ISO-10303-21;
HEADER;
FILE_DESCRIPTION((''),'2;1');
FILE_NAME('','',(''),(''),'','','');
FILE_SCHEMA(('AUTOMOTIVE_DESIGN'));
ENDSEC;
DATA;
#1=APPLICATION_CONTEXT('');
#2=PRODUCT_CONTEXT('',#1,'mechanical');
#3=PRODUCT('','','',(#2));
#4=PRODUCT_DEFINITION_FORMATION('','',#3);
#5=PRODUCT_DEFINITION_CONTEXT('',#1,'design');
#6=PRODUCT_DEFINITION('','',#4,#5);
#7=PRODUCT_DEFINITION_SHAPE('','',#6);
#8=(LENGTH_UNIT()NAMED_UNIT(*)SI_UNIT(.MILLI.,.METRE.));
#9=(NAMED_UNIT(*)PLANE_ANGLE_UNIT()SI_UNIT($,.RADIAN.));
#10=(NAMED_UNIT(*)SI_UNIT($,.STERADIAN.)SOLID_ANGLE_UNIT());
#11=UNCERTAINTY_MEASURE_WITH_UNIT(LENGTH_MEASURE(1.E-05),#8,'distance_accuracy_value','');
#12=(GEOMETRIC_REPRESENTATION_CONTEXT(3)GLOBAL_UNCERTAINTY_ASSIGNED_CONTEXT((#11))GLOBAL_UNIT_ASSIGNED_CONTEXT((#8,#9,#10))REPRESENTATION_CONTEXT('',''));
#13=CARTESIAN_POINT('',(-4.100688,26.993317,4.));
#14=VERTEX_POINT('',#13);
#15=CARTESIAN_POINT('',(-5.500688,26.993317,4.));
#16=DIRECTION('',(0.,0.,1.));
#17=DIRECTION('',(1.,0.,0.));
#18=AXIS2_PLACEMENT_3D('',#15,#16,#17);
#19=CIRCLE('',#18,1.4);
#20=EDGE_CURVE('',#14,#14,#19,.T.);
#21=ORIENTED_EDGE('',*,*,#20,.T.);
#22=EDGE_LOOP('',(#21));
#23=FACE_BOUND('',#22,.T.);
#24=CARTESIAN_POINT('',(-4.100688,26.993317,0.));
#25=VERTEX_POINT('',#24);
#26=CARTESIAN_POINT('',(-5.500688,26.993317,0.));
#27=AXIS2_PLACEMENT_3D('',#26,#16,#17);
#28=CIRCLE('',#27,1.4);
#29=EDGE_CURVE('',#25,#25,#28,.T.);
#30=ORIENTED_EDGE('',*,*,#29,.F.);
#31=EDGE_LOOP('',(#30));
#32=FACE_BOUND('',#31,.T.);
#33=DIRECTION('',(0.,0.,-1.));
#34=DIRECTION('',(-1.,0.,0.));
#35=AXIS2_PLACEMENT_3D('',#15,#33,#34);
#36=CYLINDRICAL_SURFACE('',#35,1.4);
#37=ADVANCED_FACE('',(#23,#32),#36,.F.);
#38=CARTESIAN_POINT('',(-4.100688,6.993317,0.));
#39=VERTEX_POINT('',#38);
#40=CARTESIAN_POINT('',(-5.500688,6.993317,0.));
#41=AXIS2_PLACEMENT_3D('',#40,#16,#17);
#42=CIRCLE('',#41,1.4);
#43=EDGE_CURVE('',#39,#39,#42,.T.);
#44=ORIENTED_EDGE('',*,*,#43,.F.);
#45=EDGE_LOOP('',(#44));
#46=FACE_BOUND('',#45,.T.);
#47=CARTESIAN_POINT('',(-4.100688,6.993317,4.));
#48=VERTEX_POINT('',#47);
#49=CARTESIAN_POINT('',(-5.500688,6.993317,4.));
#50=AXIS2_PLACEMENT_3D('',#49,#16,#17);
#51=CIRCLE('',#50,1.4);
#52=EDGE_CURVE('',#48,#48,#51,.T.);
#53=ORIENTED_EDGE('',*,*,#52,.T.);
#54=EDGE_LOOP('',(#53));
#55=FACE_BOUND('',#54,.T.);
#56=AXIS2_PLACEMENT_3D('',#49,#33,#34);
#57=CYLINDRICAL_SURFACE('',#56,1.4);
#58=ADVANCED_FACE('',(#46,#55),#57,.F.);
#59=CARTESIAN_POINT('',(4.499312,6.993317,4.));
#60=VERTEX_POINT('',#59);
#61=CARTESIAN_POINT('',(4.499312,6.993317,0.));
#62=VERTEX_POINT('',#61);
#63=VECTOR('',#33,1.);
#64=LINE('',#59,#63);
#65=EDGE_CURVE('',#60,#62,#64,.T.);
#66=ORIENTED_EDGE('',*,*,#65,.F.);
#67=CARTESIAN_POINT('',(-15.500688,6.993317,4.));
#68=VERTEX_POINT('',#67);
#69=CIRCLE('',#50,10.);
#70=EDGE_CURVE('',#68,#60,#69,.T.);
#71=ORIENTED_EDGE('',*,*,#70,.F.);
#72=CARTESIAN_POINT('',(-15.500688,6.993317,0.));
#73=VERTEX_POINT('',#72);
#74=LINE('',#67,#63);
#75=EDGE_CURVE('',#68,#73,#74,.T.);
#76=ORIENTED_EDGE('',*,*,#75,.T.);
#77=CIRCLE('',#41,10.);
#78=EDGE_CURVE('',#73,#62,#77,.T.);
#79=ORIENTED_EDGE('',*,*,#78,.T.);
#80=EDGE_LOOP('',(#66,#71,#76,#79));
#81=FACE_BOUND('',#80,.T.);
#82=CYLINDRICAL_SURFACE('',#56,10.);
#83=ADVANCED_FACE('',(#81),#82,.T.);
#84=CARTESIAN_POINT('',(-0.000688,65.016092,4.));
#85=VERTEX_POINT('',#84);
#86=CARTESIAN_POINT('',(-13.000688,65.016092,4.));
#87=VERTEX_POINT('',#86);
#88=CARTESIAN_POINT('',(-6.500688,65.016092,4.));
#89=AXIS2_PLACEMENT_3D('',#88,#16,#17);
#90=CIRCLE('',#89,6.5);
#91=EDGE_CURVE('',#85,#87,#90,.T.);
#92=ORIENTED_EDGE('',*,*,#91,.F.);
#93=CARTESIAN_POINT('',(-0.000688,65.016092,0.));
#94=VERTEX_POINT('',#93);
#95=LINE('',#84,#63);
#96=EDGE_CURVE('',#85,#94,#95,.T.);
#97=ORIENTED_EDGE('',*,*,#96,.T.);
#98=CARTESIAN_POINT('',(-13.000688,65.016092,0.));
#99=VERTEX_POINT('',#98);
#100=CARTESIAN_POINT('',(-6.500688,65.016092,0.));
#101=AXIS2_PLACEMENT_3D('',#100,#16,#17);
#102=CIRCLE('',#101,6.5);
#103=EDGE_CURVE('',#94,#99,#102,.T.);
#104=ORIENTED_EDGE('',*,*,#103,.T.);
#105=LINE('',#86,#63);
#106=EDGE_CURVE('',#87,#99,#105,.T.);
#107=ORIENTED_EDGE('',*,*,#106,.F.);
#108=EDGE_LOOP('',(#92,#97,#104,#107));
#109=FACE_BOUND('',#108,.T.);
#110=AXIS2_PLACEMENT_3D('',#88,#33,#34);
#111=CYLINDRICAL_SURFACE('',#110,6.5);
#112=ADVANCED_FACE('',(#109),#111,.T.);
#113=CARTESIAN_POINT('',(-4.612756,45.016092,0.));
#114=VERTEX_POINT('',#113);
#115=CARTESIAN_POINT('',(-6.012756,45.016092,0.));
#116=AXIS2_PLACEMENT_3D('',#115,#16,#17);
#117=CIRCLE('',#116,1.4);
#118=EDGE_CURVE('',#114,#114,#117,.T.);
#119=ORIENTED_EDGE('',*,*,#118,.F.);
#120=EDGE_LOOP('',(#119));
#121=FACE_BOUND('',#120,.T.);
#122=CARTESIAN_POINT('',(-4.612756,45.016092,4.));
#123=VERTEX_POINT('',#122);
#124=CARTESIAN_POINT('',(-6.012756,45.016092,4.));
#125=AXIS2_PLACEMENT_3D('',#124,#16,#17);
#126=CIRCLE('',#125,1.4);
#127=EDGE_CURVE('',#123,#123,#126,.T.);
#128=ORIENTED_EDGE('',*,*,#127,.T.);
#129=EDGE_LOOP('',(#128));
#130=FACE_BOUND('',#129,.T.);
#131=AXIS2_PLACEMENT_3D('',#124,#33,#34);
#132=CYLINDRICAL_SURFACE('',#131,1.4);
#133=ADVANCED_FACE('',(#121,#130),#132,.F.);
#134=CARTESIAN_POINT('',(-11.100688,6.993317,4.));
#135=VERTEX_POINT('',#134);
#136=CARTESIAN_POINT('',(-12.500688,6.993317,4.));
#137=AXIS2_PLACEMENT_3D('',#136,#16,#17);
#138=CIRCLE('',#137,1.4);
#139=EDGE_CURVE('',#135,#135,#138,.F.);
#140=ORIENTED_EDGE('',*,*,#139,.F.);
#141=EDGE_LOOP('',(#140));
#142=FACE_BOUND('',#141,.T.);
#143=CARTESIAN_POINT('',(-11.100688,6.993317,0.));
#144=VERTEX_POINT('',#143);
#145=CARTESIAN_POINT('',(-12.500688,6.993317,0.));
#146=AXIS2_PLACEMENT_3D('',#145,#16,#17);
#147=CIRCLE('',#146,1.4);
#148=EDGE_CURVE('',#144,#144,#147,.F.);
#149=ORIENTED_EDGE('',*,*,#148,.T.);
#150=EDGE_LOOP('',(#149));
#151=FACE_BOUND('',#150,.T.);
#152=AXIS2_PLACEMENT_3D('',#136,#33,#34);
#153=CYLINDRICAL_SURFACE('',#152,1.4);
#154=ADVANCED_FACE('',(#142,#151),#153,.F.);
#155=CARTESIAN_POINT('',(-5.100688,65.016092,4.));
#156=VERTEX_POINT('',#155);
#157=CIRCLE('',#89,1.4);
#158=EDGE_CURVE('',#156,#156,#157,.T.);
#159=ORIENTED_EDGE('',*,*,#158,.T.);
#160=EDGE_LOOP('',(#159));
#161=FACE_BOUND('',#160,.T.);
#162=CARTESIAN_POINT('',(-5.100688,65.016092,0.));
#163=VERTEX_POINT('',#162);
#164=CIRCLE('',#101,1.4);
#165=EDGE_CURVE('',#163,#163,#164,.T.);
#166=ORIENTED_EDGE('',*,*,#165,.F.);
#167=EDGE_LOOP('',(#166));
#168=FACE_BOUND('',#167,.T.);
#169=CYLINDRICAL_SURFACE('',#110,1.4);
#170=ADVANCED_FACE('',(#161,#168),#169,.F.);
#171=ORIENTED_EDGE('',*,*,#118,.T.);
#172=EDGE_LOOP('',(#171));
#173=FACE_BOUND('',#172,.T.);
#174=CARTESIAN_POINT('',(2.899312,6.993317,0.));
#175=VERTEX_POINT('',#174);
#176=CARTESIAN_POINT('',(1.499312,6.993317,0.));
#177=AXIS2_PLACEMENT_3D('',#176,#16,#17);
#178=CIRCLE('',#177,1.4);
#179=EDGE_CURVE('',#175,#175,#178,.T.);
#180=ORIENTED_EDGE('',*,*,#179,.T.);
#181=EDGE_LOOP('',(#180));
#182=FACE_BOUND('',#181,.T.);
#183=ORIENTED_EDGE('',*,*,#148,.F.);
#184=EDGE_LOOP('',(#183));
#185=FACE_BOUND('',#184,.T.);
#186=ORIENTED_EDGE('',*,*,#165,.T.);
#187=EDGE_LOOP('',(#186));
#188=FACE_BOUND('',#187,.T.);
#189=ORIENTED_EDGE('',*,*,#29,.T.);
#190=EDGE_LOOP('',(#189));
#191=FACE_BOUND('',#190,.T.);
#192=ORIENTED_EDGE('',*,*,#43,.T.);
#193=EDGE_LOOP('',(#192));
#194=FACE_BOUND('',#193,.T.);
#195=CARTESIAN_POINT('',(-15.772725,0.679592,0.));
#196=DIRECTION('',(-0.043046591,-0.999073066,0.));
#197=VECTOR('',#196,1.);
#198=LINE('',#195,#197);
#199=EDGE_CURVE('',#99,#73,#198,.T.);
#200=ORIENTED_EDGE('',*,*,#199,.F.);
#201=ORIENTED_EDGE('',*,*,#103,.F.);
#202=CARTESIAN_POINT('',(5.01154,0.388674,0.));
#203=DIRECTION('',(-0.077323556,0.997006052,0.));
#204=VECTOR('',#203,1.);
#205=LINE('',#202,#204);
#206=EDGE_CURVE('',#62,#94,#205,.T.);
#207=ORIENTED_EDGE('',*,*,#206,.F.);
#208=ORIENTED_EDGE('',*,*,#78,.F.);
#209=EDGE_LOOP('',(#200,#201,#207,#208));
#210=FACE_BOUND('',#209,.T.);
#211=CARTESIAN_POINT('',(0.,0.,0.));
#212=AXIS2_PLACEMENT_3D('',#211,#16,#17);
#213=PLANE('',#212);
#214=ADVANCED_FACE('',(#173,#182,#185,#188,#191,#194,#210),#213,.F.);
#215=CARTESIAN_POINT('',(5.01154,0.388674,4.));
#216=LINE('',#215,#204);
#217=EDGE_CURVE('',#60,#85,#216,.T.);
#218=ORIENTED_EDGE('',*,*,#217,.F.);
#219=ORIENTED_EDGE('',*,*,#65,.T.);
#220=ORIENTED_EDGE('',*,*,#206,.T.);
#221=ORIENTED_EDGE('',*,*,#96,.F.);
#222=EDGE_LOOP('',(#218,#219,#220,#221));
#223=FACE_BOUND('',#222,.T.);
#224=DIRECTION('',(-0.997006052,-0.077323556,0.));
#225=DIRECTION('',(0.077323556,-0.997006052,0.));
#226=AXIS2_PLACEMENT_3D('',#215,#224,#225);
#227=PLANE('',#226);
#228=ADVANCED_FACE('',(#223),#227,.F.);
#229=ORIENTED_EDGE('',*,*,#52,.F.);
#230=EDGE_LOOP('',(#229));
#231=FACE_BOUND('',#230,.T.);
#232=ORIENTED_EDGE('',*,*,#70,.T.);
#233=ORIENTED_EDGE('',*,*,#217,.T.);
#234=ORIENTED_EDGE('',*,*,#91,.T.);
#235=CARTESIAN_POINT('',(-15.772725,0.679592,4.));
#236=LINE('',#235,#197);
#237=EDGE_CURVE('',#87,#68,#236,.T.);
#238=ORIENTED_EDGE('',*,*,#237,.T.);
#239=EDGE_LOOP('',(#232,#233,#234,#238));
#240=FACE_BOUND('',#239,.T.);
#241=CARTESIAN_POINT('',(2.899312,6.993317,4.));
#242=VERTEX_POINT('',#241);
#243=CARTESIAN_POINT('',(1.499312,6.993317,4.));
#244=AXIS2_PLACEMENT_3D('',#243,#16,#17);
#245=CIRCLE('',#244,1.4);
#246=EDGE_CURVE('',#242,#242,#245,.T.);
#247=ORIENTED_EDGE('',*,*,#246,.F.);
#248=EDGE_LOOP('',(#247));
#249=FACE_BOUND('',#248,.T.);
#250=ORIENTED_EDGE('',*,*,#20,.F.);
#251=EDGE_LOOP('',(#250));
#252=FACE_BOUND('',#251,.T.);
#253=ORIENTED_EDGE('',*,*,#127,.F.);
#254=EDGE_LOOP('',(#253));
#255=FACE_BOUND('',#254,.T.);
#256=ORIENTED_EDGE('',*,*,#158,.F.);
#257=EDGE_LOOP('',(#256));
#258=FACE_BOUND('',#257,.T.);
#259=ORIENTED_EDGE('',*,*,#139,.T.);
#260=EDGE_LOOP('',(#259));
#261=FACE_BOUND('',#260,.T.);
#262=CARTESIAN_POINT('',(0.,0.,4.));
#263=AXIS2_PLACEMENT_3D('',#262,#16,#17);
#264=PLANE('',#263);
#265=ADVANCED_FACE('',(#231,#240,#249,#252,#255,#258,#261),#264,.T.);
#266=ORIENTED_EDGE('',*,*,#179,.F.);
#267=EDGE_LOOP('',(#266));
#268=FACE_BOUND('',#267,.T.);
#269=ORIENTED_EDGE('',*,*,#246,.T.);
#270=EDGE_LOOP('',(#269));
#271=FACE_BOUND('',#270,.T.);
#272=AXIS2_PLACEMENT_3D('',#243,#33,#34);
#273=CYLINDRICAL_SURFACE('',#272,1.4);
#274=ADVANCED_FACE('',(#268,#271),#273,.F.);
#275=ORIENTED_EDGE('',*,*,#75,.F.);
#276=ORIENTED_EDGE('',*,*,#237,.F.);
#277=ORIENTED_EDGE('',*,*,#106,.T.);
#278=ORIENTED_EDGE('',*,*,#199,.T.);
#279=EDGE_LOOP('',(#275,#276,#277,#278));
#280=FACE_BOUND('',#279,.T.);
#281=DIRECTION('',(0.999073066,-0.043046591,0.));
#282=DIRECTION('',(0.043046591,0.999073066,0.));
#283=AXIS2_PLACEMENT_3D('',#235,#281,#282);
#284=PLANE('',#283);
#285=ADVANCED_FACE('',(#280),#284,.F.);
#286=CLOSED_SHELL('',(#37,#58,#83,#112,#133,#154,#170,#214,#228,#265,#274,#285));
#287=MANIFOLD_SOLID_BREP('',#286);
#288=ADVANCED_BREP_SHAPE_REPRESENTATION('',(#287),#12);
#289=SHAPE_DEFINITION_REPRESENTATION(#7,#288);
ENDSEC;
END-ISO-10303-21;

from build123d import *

# Parameters (mm, degrees)
SKETCH1_R           = 1.4
BOSS_EXTRUDE1_DEPTH = 4


with BuildPart() as part:
    # Sketch1 → Boss-Extrude1 (new body)
    with BuildSketch(Plane.XY):
        with BuildLine():
            ThreePointArc((-0.000688459, 65.016091721), (-6.500688459, 71.516091721), (-13.000688459, 65.016091721))
            Line((-13.000688459, 65.016091721), (-15.463628279, 7.853451097))
            Line((-15.463628279, 7.853451097), (-15.500688459, 6.993317296))
            ThreePointArc((-15.500688459, 6.993317296), (-5.500688459, -3.006682704), (4.499311541, 6.993317296))
            Line((4.499311541, 6.993317296), (4.379732895, 8.535158357))
            Line((4.379732895, 8.535158357), (-0.000688459, 65.016091721))
        make_face()
        with Locations((-12.500688459, 6.993317296)):
            Circle(SKETCH1_R, mode=Mode.SUBTRACT)
        with Locations((-5.500688459, 6.993317296)):
            Circle(SKETCH1_R, mode=Mode.SUBTRACT)
        with Locations((1.499311541, 6.993317296)):
            Circle(SKETCH1_R, mode=Mode.SUBTRACT)
        with Locations((-5.500688459, 26.993317296)):
            Circle(SKETCH1_R, mode=Mode.SUBTRACT)
        with Locations((-6.012756351, 45.016091721)):
            Circle(SKETCH1_R, mode=Mode.SUBTRACT)
        with Locations((-6.500688459, 65.016091721)):
            Circle(SKETCH1_R, mode=Mode.SUBTRACT)
    extrude(amount=BOSS_EXTRUDE1_DEPTH)


solid = part.part
